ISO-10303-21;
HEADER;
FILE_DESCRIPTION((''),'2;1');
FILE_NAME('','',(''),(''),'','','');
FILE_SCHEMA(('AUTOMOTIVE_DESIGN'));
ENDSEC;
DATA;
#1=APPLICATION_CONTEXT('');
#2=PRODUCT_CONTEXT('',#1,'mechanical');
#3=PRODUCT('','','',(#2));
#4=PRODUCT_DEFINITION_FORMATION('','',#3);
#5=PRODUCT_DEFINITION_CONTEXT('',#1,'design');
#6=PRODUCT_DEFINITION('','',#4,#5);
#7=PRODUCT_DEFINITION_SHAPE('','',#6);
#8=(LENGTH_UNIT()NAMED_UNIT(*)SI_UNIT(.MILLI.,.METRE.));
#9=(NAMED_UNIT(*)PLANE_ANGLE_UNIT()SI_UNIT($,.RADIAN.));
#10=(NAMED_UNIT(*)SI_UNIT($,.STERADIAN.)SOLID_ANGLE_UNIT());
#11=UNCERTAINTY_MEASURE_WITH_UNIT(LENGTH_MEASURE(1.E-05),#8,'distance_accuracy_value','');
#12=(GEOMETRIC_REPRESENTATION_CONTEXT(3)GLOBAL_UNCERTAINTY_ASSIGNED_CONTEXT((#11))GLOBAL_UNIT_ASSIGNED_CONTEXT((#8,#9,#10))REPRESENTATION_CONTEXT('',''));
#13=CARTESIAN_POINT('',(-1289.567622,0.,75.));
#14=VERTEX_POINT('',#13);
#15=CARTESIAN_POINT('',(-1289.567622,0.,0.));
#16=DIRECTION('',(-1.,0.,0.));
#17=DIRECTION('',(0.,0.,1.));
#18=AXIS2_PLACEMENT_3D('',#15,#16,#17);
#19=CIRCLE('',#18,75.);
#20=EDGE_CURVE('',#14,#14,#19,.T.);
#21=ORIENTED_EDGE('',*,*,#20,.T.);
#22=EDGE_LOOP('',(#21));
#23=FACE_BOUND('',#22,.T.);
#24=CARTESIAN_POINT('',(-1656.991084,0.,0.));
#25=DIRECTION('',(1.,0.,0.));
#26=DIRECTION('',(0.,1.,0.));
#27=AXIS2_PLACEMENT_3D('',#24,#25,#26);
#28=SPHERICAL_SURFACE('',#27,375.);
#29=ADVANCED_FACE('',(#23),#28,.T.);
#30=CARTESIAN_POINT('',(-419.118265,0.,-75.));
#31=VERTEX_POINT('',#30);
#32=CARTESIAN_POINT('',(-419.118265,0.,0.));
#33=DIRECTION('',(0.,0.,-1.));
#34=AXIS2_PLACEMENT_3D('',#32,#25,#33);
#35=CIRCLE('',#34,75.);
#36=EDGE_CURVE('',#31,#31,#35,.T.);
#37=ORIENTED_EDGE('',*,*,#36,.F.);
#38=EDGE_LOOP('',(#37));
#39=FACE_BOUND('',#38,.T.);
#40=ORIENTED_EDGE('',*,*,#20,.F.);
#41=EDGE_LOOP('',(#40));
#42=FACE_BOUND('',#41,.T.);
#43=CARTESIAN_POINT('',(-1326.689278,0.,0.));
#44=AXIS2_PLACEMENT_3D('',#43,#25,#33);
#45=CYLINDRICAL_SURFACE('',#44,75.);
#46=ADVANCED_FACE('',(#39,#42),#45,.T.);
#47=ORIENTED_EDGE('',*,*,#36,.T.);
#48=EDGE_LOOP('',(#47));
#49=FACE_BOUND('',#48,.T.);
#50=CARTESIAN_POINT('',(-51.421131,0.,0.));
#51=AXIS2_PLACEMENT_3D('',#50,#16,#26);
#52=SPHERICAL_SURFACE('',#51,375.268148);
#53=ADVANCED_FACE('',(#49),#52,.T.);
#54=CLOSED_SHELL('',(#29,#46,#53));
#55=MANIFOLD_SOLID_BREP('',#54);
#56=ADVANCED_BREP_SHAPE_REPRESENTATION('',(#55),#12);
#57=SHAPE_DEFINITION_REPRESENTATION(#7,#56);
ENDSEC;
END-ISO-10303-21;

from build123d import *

# Parameters (mm, degrees)
BOSS_EXTRUDE1_DEPTH      = 650
BOSS_EXTRUDE1_DEPTH_BACK = 1800
SKETCH3_R                = 150
SCALE1_SCALE             = 0.5


with BuildPart() as part:
    # Sketch1 → Revolve1 (revolve)
    with BuildSketch(Plane.XY):
        with BuildLine():
            Line((0, 0), (1501.072590683, 0))
            ThreePointArc((1501.072590683, 0), (750.536295342, 750.536295342), (0, 0))
        make_face()
    revolve(axis=Axis((0, 0, 0), (1, 0, 0)))

    # Sketch3 → Boss-Extrude1 (add, two sides: drawn at the far end of the back side and taken through both)
    with BuildSketch(Plane(origin=(0, 0, 0), x_dir=(0, 0, -1), z_dir=(1, 0, 0)).offset(-BOSS_EXTRUDE1_DEPTH_BACK)):
        Circle(SKETCH3_R)
    extrude(amount=BOSS_EXTRUDE1_DEPTH + BOSS_EXTRUDE1_DEPTH_BACK)

    # Sketch4 → Revolve2 (revolve)
    with BuildSketch(Plane.XY):
        with BuildLine():
            Line((-1710.603610822, 0), (-3210.603610822, 0))
            ThreePointArc((-3210.603610822, 0), (-2460.603610822, 750), (-1710.603610822, 0))
        make_face()
    revolve(axis=Axis((-1710.603610822, 0, 0), (-1, 0, 0)))


with BuildPart() as part_1:
    # Scale1: scaled about (-853.378556816, 0, 0)
    add(part.part.scale(SCALE1_SCALE).moved(Location((-426.689278408, 0, 0))))


solid = part_1.part
